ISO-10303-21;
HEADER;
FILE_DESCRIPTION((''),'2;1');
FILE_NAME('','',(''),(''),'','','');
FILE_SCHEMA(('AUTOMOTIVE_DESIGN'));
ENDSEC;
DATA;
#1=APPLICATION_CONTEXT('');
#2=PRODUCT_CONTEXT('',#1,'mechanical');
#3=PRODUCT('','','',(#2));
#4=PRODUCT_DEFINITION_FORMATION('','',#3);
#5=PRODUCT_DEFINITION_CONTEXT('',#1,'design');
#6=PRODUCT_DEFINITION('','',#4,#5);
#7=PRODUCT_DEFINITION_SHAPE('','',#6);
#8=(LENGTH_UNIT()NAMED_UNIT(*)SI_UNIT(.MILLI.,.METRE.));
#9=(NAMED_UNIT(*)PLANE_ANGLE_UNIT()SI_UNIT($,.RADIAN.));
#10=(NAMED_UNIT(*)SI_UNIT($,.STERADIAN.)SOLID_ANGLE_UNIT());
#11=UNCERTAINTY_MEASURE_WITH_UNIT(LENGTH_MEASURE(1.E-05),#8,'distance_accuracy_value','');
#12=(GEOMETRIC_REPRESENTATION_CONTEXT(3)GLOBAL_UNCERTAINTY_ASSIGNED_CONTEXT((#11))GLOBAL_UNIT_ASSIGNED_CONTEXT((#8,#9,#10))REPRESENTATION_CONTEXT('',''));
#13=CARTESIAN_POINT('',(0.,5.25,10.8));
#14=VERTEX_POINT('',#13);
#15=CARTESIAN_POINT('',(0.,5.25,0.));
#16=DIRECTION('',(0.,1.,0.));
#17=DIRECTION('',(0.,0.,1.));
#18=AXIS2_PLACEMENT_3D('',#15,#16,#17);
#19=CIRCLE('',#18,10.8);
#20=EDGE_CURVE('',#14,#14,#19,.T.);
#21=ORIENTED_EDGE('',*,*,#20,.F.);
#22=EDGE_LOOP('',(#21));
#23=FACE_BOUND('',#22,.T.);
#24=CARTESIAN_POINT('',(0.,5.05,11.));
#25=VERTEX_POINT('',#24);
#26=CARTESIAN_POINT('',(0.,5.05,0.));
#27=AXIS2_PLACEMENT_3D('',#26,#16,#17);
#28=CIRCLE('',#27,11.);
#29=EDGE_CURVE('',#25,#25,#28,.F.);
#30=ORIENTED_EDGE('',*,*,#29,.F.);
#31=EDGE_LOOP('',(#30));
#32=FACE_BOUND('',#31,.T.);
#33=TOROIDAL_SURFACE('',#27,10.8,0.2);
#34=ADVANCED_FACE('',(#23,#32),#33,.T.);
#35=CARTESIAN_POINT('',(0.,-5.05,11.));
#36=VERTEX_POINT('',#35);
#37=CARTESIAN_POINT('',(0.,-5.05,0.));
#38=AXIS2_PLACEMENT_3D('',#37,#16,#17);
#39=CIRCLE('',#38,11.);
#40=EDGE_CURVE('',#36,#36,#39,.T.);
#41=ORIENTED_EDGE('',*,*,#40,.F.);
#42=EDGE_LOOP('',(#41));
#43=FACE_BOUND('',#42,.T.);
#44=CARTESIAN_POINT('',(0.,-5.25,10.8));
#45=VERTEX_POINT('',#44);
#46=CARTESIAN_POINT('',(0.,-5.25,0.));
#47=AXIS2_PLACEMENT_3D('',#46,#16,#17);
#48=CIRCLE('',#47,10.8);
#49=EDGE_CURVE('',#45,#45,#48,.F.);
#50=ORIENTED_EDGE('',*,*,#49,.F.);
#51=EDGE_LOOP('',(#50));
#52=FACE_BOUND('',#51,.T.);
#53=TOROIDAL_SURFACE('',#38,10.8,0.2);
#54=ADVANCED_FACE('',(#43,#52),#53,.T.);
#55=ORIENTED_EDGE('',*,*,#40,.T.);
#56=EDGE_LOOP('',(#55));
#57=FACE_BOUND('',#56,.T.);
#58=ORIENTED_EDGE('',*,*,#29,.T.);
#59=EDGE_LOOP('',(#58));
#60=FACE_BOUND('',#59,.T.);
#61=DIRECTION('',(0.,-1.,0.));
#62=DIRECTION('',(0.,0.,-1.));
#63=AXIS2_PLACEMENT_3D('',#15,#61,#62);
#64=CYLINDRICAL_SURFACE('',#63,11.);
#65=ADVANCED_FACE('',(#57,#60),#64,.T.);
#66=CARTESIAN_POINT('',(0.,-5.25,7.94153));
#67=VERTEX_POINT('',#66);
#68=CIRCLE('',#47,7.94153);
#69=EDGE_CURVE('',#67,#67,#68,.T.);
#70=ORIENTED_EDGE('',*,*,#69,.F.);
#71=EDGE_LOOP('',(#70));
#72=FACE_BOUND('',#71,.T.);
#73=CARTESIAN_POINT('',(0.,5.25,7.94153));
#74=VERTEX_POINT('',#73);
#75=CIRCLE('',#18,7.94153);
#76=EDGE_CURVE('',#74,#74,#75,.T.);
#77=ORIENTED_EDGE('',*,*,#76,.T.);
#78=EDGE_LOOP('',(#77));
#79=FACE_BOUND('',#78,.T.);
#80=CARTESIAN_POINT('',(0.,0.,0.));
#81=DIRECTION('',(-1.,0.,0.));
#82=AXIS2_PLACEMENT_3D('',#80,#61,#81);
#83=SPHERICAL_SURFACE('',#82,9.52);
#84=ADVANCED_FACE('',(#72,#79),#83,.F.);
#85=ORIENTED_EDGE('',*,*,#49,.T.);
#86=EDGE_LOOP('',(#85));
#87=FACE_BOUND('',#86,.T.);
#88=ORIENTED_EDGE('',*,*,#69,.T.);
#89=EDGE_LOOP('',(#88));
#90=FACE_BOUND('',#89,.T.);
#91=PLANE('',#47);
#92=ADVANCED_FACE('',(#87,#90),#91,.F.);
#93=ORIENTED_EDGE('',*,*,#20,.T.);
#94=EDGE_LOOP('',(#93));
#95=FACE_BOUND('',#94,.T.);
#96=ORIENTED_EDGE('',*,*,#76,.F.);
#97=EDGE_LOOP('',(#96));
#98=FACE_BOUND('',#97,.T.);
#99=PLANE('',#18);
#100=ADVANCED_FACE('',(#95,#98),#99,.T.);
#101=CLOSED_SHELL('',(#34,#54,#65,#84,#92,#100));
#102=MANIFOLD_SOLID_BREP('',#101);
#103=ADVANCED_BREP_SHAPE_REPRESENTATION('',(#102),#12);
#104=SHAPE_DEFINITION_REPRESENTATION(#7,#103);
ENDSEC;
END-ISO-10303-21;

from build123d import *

# Parameters (mm, degrees)
SZKIC1_R                    = 11
DODANIE_WYCI_GNI_CIE1_DEPTH = 5.25
ZAOKR_GLENIE1_R             = 0.2


with BuildPart() as part:
    # Szkic1 → Dodanie-wyciągnięcie1 (new body, symmetric)
    with BuildSketch(Plane(origin=(0, 0, 0), x_dir=(1, 0, 0), z_dir=(0, 1, 0))):
        Circle(SZKIC1_R)
    extrude(amount=DODANIE_WYCI_GNI_CIE1_DEPTH, both=True)

    # Szkic3 → Wycięcie-obrót1 (revolve, cut)
    with BuildSketch(Plane.XY):
        with BuildLine():
            Line((0, -9.52), (0, 9.52))
            ThreePointArc((0, 9.52), (9.52, 0), (0, -9.52))
        make_face()
    revolve(axis=Axis((0, -9.52, 0), (0, 1, 0)), mode=Mode.SUBTRACT)

    # Zaokrąglenie1
    zaokr_glenie1_edges = [part.edges().sort_by_distance(p)[0] for p in [
        (-11, -5.25, 0),
        (-11, 5.25, 0),
    ]]
    fillet(zaokr_glenie1_edges, radius=ZAOKR_GLENIE1_R)


solid = part.part
